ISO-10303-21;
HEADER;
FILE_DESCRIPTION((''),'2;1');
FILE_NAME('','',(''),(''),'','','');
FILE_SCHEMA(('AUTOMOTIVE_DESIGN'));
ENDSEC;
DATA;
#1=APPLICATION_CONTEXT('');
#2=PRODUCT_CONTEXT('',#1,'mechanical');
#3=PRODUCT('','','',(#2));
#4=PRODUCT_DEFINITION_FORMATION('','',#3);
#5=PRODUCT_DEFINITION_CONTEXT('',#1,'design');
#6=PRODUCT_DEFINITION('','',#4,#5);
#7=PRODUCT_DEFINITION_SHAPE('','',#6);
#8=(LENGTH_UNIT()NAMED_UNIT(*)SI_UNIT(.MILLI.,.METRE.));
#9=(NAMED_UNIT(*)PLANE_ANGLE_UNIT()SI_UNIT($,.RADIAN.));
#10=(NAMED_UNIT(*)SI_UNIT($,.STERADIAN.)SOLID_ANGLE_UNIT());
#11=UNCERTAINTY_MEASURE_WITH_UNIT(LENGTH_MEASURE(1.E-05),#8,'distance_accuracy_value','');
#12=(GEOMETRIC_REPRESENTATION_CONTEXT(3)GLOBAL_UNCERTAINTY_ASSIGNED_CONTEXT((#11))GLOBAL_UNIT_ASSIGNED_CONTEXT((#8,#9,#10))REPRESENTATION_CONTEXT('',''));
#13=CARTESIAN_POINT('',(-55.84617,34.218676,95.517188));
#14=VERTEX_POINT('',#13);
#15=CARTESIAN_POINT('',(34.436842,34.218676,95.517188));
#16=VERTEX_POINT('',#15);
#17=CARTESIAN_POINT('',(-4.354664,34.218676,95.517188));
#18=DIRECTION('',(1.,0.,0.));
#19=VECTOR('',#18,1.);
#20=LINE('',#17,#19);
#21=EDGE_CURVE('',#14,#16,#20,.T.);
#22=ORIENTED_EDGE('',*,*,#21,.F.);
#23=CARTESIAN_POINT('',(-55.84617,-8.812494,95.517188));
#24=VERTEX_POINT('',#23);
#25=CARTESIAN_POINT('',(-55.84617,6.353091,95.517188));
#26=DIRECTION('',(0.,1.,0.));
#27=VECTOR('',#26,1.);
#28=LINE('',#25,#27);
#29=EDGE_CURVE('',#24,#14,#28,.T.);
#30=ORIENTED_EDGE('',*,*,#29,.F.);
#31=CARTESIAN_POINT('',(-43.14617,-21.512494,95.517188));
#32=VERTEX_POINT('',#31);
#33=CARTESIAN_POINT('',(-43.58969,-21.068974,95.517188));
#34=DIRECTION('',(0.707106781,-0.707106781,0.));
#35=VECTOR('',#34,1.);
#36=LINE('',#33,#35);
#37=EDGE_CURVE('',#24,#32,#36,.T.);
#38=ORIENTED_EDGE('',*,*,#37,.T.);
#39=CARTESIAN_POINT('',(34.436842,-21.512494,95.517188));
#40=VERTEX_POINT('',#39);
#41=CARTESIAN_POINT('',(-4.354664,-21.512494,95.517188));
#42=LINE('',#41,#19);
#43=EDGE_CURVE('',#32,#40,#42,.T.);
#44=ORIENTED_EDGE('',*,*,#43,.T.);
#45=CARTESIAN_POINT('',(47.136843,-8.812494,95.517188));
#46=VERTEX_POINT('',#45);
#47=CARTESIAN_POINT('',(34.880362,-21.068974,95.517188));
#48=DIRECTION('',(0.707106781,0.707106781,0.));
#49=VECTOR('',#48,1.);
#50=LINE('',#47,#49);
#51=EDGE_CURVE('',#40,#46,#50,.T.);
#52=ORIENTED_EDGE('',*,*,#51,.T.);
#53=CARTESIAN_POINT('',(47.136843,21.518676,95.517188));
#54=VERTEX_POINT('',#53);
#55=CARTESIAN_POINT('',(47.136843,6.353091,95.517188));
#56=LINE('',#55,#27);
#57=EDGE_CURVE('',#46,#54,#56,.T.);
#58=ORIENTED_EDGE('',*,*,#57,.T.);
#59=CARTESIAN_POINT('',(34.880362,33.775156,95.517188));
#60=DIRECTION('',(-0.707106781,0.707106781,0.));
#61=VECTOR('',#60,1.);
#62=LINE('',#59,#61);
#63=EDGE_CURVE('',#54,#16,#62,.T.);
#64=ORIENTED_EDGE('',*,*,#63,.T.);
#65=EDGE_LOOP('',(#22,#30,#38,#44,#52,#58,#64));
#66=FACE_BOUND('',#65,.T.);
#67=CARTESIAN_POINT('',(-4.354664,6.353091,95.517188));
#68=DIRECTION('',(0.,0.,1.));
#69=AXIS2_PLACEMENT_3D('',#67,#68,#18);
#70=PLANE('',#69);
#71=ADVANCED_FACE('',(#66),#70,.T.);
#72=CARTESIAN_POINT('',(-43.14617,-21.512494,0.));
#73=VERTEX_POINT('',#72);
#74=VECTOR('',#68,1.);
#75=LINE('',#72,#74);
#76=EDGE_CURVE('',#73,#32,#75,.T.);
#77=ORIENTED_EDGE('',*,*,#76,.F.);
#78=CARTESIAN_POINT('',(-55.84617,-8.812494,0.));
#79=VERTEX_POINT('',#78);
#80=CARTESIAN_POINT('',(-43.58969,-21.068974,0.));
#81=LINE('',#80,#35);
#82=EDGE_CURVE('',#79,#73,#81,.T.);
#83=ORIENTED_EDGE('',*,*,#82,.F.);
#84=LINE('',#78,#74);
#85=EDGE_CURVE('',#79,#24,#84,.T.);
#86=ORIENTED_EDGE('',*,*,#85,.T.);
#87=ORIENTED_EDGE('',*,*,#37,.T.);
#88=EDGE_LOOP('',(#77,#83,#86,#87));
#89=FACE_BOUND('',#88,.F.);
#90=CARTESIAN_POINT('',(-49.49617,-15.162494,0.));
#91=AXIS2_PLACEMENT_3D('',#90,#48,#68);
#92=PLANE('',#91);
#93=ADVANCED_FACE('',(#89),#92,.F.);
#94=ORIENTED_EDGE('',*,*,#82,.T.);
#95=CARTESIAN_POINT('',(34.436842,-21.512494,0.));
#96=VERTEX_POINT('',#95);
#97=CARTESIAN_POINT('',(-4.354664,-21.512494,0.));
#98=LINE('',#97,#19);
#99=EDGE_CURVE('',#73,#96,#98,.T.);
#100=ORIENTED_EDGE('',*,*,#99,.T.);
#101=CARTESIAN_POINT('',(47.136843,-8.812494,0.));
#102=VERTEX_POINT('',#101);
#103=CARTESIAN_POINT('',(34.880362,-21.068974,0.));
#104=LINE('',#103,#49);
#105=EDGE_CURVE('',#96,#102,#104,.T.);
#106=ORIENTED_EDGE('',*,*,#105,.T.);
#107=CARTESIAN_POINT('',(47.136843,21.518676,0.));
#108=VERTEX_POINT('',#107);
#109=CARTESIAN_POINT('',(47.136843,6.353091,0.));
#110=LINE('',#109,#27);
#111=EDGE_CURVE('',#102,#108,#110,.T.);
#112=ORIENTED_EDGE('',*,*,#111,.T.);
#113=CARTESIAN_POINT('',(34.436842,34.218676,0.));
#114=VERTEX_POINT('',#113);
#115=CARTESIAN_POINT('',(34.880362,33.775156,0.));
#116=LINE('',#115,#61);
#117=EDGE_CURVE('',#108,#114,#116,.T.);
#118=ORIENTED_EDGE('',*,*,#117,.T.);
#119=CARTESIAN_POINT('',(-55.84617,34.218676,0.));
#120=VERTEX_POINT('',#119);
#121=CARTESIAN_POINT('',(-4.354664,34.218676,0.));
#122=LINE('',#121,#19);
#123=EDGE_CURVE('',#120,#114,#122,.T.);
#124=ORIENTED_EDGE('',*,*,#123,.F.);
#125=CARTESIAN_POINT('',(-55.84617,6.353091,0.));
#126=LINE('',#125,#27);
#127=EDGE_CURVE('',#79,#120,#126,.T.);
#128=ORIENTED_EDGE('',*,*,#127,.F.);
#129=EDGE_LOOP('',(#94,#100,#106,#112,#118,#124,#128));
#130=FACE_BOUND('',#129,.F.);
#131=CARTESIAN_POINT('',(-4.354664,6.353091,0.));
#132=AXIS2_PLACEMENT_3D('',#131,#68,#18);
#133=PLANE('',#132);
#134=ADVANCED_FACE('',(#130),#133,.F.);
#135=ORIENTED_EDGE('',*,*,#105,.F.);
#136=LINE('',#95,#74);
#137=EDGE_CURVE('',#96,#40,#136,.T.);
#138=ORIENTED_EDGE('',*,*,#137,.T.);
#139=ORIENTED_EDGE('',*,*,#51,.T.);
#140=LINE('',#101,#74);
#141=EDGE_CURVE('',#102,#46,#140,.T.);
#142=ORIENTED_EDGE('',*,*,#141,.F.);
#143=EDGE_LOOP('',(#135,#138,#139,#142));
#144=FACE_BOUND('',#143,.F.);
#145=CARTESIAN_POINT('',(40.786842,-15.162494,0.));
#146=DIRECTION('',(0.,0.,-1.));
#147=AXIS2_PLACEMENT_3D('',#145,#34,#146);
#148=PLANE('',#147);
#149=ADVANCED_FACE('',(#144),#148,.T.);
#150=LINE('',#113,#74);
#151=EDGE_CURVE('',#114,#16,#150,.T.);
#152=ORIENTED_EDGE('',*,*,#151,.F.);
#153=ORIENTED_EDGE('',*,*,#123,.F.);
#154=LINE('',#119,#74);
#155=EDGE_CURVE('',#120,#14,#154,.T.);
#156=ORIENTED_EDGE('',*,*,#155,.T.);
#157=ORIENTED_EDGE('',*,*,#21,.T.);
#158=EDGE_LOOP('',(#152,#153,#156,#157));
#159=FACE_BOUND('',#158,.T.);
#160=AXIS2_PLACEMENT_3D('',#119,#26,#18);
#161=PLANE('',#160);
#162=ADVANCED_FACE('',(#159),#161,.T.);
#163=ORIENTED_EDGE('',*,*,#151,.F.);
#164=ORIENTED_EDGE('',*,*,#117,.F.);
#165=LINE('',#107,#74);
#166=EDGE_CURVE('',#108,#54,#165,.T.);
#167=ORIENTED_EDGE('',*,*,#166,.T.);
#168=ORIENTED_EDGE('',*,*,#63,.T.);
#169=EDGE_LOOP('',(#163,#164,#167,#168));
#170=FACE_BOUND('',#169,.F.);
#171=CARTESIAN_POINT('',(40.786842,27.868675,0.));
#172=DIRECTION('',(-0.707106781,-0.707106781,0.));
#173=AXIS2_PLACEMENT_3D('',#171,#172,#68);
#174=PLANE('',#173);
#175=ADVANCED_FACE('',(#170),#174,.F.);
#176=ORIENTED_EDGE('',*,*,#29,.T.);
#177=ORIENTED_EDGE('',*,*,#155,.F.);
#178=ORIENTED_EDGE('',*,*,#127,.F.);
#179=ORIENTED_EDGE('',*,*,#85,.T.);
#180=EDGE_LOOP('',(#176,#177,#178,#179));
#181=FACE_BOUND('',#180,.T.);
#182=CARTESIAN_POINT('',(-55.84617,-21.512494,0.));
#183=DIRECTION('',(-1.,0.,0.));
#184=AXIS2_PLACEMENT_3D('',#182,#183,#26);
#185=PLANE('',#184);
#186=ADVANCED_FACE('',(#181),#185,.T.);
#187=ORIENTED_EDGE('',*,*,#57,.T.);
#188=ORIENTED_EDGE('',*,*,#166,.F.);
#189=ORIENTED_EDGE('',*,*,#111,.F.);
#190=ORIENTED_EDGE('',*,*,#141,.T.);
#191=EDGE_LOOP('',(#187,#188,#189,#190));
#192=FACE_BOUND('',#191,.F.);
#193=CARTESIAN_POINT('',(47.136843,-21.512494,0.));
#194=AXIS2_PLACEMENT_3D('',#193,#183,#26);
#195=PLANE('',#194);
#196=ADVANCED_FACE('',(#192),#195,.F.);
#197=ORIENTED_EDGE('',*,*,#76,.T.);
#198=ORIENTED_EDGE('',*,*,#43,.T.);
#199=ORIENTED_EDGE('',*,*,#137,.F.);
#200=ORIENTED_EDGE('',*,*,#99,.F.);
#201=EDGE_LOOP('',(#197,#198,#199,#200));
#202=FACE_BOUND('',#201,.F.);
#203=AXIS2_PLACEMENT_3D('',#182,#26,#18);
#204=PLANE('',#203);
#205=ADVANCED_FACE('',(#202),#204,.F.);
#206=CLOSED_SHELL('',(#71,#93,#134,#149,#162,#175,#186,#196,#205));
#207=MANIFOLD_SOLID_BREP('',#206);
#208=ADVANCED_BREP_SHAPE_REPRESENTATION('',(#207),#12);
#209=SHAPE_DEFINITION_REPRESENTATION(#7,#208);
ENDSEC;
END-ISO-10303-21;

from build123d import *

# Parameters (mm, degrees)
F0_W     = 102.983013
F0_H     = 55.731169
F1_DEPTH = 95.517188
F2_SIZE  = 12.7


with BuildPart() as f1:
    # F0 (on Top) → F1 (new body)
    with BuildSketch(Plane.XY):
        with Locations((-4.354664, 6.353091)):
            Rectangle(F0_W, F0_H)
    extrude(amount=F1_DEPTH)

    # F2
    f2_edges = [f1.edges().sort_by_distance(p)[0] for p in [
        (47.136843, -21.512493, 47.758594),
        (-55.84617, -21.512493, 47.758594),
        (47.136843, 34.218676, 47.758594),
    ]]
    chamfer(f2_edges, length=F2_SIZE)


solid = f1.part
